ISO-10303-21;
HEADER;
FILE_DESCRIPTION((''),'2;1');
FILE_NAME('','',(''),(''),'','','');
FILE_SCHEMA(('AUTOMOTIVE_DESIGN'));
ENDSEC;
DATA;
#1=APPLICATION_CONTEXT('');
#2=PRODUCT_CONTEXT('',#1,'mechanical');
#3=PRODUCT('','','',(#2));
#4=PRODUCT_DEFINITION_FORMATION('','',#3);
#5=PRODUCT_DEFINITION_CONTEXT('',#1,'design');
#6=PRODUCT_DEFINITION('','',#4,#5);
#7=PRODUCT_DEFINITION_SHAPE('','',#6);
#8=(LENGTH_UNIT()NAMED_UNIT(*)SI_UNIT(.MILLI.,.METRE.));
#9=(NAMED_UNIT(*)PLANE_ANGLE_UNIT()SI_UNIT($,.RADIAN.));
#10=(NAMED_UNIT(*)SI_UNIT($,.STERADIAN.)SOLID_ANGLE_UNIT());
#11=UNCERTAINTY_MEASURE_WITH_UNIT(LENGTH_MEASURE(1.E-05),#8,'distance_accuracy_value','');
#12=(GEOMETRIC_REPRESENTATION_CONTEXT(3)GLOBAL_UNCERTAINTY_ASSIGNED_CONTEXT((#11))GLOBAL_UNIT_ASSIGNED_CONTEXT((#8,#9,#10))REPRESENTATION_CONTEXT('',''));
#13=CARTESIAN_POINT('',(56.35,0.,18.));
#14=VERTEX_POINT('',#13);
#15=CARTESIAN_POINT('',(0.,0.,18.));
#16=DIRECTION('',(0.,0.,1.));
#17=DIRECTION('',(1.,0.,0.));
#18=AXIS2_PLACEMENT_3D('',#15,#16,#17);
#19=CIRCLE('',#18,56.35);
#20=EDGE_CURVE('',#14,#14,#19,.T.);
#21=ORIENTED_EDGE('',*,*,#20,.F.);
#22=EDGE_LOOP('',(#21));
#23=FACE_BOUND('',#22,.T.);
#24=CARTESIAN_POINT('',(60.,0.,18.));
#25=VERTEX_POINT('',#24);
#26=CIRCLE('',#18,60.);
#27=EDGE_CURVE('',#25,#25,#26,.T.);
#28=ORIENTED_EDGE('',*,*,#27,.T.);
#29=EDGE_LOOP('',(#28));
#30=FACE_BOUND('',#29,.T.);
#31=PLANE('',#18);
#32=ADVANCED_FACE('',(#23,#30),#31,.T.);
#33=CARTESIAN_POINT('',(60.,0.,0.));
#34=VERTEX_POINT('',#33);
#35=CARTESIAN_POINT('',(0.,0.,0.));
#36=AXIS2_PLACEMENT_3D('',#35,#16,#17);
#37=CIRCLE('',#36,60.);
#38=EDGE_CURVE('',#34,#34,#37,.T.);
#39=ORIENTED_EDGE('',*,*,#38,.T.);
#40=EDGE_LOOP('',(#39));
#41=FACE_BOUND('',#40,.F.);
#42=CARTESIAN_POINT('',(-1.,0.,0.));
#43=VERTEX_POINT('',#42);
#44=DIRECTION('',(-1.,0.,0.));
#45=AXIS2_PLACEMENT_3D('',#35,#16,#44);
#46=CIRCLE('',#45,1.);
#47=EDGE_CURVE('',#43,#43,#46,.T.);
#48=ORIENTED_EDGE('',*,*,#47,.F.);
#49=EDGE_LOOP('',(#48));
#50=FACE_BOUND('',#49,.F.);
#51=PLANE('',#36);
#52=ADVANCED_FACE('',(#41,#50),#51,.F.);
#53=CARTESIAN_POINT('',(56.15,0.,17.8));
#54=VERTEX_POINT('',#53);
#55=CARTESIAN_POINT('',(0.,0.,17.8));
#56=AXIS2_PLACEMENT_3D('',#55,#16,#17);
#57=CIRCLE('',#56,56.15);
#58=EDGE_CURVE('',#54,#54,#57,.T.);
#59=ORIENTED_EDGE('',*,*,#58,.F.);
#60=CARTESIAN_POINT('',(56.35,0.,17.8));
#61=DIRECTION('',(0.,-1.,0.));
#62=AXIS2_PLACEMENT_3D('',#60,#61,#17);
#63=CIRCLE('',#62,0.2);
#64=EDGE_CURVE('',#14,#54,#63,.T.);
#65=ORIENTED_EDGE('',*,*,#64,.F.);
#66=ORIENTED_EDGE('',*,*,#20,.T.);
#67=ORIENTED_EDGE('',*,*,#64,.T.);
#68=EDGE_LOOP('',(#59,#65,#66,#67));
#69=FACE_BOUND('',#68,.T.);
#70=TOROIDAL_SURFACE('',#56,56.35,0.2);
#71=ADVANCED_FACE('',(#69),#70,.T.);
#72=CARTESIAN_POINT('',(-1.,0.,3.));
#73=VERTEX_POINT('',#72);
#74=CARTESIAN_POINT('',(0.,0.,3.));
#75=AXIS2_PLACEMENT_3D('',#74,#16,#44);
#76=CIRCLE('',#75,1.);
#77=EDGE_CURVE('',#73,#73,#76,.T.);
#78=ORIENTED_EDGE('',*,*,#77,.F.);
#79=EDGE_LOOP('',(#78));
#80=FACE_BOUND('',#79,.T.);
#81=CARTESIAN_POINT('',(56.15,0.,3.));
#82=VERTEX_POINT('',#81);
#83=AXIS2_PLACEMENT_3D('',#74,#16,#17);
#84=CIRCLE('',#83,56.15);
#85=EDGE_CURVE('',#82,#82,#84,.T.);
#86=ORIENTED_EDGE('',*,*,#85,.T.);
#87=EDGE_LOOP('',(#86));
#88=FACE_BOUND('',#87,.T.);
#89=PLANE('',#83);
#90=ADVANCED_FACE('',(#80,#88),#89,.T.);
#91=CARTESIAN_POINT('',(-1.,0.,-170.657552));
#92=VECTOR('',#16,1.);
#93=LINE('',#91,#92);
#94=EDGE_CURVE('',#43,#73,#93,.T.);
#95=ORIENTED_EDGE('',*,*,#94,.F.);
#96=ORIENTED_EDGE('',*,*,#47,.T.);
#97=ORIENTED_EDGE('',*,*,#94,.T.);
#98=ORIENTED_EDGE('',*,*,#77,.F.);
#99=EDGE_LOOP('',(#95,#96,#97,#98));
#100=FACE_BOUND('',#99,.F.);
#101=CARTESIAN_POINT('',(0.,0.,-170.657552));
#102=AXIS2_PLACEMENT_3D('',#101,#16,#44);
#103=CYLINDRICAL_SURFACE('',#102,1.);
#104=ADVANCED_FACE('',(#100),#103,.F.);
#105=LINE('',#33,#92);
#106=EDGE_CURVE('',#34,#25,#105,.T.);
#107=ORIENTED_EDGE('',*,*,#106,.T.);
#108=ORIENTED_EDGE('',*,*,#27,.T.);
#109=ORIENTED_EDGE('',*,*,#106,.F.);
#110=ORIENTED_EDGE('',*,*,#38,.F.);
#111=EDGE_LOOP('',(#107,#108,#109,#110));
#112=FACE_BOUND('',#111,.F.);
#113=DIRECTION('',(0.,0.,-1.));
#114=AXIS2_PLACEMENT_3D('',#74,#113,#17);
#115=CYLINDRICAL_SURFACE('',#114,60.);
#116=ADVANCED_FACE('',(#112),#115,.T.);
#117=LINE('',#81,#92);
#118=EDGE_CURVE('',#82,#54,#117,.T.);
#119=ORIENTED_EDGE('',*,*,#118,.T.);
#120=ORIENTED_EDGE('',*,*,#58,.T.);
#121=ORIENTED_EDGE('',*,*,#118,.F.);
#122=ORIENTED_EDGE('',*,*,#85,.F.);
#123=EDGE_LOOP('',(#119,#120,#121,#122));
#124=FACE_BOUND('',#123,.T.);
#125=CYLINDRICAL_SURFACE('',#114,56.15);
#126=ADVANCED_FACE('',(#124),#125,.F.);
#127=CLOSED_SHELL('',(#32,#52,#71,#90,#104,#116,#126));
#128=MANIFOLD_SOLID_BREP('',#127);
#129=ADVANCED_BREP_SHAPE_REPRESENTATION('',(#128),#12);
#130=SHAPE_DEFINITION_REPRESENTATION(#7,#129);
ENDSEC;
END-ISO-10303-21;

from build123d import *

# Parameters (mm, degrees)
F0_R     = 60
F1_DEPTH = 3
F2_R     = 60
F2_R_2   = 56.15
F3_DEPTH = 15
F5_D     = 2
F6_R     = 0.2


with BuildPart() as f1:
    # F0 (on Top) → F1 (new body)
    with BuildSketch(Plane.XY):
        Circle(F0_R)
    extrude(amount=F1_DEPTH)

    # F2 (on face) → F3 (join)
    with BuildSketch(Plane.XY.offset(3)):
        Circle(F2_R)
        Circle(F2_R_2, mode=Mode.SUBTRACT)
    extrude(amount=F3_DEPTH)

    # F5 (through all)
    with Locations(Plane(origin=(0, 0, 0), x_dir=(1, 0, 0), z_dir=(0, 0, -1))):
        with Locations((0, 0)):
            Hole(F5_D / 2)

    # F6
    f6_edges = [f1.edges().sort_by_distance(p)[0] for p in [
        (-56.15, 0, 18),
    ]]
    fillet(f6_edges, radius=F6_R)


solid = f1.part
